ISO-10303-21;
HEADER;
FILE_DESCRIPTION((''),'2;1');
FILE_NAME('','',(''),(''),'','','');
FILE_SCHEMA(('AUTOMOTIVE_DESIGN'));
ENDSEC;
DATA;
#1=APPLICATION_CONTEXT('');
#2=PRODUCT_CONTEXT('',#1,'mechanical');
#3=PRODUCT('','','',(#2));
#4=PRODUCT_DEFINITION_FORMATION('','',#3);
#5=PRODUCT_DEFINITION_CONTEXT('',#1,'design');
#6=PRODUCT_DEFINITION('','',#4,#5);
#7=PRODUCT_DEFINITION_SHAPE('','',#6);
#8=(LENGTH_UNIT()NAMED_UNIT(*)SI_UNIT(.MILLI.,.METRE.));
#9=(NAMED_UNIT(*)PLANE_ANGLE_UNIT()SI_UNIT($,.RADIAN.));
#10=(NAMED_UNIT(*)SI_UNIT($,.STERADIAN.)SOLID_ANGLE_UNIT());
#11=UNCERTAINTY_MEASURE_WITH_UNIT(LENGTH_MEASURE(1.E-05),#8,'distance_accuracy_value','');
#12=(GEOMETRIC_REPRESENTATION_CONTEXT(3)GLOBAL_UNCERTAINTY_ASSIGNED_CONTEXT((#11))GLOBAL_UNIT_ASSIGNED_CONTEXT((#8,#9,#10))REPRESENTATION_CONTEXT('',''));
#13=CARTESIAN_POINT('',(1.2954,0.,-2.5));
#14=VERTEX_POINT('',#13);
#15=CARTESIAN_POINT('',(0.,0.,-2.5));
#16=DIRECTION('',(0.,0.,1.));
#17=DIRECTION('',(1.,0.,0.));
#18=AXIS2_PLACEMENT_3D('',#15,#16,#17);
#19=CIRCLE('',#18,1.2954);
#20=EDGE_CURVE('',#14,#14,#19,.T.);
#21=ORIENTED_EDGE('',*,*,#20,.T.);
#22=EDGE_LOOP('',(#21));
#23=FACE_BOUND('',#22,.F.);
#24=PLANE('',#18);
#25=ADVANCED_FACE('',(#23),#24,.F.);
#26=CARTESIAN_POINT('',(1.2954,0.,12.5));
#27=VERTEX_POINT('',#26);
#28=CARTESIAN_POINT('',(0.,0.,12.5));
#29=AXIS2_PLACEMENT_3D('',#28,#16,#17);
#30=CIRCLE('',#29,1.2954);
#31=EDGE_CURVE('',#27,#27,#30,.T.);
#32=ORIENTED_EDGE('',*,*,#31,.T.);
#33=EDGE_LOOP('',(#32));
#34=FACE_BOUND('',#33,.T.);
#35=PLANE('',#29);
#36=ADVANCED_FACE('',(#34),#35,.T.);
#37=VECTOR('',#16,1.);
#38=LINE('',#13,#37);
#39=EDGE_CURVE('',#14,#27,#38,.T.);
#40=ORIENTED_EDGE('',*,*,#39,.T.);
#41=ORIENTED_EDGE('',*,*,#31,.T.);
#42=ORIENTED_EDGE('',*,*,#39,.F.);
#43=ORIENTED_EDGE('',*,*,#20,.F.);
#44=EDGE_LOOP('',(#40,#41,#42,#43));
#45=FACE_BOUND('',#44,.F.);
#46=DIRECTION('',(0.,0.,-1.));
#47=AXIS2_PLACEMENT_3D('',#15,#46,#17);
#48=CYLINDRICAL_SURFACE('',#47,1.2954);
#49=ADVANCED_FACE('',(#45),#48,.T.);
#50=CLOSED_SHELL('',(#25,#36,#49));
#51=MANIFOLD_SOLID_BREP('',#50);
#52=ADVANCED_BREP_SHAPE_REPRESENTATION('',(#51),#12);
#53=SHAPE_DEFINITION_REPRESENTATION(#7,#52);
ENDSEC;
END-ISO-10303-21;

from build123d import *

# Parameters (mm, degrees)
CYLINDER_R     = 1.2954
CYLINDER_DEPTH = 15


with BuildPart() as part:
    # Cylinder → Cylinder (new body)
    with BuildSketch(Plane.XY.offset(-2.5)):
        Circle(CYLINDER_R)
    extrude(amount=CYLINDER_DEPTH)


solid = part.part
